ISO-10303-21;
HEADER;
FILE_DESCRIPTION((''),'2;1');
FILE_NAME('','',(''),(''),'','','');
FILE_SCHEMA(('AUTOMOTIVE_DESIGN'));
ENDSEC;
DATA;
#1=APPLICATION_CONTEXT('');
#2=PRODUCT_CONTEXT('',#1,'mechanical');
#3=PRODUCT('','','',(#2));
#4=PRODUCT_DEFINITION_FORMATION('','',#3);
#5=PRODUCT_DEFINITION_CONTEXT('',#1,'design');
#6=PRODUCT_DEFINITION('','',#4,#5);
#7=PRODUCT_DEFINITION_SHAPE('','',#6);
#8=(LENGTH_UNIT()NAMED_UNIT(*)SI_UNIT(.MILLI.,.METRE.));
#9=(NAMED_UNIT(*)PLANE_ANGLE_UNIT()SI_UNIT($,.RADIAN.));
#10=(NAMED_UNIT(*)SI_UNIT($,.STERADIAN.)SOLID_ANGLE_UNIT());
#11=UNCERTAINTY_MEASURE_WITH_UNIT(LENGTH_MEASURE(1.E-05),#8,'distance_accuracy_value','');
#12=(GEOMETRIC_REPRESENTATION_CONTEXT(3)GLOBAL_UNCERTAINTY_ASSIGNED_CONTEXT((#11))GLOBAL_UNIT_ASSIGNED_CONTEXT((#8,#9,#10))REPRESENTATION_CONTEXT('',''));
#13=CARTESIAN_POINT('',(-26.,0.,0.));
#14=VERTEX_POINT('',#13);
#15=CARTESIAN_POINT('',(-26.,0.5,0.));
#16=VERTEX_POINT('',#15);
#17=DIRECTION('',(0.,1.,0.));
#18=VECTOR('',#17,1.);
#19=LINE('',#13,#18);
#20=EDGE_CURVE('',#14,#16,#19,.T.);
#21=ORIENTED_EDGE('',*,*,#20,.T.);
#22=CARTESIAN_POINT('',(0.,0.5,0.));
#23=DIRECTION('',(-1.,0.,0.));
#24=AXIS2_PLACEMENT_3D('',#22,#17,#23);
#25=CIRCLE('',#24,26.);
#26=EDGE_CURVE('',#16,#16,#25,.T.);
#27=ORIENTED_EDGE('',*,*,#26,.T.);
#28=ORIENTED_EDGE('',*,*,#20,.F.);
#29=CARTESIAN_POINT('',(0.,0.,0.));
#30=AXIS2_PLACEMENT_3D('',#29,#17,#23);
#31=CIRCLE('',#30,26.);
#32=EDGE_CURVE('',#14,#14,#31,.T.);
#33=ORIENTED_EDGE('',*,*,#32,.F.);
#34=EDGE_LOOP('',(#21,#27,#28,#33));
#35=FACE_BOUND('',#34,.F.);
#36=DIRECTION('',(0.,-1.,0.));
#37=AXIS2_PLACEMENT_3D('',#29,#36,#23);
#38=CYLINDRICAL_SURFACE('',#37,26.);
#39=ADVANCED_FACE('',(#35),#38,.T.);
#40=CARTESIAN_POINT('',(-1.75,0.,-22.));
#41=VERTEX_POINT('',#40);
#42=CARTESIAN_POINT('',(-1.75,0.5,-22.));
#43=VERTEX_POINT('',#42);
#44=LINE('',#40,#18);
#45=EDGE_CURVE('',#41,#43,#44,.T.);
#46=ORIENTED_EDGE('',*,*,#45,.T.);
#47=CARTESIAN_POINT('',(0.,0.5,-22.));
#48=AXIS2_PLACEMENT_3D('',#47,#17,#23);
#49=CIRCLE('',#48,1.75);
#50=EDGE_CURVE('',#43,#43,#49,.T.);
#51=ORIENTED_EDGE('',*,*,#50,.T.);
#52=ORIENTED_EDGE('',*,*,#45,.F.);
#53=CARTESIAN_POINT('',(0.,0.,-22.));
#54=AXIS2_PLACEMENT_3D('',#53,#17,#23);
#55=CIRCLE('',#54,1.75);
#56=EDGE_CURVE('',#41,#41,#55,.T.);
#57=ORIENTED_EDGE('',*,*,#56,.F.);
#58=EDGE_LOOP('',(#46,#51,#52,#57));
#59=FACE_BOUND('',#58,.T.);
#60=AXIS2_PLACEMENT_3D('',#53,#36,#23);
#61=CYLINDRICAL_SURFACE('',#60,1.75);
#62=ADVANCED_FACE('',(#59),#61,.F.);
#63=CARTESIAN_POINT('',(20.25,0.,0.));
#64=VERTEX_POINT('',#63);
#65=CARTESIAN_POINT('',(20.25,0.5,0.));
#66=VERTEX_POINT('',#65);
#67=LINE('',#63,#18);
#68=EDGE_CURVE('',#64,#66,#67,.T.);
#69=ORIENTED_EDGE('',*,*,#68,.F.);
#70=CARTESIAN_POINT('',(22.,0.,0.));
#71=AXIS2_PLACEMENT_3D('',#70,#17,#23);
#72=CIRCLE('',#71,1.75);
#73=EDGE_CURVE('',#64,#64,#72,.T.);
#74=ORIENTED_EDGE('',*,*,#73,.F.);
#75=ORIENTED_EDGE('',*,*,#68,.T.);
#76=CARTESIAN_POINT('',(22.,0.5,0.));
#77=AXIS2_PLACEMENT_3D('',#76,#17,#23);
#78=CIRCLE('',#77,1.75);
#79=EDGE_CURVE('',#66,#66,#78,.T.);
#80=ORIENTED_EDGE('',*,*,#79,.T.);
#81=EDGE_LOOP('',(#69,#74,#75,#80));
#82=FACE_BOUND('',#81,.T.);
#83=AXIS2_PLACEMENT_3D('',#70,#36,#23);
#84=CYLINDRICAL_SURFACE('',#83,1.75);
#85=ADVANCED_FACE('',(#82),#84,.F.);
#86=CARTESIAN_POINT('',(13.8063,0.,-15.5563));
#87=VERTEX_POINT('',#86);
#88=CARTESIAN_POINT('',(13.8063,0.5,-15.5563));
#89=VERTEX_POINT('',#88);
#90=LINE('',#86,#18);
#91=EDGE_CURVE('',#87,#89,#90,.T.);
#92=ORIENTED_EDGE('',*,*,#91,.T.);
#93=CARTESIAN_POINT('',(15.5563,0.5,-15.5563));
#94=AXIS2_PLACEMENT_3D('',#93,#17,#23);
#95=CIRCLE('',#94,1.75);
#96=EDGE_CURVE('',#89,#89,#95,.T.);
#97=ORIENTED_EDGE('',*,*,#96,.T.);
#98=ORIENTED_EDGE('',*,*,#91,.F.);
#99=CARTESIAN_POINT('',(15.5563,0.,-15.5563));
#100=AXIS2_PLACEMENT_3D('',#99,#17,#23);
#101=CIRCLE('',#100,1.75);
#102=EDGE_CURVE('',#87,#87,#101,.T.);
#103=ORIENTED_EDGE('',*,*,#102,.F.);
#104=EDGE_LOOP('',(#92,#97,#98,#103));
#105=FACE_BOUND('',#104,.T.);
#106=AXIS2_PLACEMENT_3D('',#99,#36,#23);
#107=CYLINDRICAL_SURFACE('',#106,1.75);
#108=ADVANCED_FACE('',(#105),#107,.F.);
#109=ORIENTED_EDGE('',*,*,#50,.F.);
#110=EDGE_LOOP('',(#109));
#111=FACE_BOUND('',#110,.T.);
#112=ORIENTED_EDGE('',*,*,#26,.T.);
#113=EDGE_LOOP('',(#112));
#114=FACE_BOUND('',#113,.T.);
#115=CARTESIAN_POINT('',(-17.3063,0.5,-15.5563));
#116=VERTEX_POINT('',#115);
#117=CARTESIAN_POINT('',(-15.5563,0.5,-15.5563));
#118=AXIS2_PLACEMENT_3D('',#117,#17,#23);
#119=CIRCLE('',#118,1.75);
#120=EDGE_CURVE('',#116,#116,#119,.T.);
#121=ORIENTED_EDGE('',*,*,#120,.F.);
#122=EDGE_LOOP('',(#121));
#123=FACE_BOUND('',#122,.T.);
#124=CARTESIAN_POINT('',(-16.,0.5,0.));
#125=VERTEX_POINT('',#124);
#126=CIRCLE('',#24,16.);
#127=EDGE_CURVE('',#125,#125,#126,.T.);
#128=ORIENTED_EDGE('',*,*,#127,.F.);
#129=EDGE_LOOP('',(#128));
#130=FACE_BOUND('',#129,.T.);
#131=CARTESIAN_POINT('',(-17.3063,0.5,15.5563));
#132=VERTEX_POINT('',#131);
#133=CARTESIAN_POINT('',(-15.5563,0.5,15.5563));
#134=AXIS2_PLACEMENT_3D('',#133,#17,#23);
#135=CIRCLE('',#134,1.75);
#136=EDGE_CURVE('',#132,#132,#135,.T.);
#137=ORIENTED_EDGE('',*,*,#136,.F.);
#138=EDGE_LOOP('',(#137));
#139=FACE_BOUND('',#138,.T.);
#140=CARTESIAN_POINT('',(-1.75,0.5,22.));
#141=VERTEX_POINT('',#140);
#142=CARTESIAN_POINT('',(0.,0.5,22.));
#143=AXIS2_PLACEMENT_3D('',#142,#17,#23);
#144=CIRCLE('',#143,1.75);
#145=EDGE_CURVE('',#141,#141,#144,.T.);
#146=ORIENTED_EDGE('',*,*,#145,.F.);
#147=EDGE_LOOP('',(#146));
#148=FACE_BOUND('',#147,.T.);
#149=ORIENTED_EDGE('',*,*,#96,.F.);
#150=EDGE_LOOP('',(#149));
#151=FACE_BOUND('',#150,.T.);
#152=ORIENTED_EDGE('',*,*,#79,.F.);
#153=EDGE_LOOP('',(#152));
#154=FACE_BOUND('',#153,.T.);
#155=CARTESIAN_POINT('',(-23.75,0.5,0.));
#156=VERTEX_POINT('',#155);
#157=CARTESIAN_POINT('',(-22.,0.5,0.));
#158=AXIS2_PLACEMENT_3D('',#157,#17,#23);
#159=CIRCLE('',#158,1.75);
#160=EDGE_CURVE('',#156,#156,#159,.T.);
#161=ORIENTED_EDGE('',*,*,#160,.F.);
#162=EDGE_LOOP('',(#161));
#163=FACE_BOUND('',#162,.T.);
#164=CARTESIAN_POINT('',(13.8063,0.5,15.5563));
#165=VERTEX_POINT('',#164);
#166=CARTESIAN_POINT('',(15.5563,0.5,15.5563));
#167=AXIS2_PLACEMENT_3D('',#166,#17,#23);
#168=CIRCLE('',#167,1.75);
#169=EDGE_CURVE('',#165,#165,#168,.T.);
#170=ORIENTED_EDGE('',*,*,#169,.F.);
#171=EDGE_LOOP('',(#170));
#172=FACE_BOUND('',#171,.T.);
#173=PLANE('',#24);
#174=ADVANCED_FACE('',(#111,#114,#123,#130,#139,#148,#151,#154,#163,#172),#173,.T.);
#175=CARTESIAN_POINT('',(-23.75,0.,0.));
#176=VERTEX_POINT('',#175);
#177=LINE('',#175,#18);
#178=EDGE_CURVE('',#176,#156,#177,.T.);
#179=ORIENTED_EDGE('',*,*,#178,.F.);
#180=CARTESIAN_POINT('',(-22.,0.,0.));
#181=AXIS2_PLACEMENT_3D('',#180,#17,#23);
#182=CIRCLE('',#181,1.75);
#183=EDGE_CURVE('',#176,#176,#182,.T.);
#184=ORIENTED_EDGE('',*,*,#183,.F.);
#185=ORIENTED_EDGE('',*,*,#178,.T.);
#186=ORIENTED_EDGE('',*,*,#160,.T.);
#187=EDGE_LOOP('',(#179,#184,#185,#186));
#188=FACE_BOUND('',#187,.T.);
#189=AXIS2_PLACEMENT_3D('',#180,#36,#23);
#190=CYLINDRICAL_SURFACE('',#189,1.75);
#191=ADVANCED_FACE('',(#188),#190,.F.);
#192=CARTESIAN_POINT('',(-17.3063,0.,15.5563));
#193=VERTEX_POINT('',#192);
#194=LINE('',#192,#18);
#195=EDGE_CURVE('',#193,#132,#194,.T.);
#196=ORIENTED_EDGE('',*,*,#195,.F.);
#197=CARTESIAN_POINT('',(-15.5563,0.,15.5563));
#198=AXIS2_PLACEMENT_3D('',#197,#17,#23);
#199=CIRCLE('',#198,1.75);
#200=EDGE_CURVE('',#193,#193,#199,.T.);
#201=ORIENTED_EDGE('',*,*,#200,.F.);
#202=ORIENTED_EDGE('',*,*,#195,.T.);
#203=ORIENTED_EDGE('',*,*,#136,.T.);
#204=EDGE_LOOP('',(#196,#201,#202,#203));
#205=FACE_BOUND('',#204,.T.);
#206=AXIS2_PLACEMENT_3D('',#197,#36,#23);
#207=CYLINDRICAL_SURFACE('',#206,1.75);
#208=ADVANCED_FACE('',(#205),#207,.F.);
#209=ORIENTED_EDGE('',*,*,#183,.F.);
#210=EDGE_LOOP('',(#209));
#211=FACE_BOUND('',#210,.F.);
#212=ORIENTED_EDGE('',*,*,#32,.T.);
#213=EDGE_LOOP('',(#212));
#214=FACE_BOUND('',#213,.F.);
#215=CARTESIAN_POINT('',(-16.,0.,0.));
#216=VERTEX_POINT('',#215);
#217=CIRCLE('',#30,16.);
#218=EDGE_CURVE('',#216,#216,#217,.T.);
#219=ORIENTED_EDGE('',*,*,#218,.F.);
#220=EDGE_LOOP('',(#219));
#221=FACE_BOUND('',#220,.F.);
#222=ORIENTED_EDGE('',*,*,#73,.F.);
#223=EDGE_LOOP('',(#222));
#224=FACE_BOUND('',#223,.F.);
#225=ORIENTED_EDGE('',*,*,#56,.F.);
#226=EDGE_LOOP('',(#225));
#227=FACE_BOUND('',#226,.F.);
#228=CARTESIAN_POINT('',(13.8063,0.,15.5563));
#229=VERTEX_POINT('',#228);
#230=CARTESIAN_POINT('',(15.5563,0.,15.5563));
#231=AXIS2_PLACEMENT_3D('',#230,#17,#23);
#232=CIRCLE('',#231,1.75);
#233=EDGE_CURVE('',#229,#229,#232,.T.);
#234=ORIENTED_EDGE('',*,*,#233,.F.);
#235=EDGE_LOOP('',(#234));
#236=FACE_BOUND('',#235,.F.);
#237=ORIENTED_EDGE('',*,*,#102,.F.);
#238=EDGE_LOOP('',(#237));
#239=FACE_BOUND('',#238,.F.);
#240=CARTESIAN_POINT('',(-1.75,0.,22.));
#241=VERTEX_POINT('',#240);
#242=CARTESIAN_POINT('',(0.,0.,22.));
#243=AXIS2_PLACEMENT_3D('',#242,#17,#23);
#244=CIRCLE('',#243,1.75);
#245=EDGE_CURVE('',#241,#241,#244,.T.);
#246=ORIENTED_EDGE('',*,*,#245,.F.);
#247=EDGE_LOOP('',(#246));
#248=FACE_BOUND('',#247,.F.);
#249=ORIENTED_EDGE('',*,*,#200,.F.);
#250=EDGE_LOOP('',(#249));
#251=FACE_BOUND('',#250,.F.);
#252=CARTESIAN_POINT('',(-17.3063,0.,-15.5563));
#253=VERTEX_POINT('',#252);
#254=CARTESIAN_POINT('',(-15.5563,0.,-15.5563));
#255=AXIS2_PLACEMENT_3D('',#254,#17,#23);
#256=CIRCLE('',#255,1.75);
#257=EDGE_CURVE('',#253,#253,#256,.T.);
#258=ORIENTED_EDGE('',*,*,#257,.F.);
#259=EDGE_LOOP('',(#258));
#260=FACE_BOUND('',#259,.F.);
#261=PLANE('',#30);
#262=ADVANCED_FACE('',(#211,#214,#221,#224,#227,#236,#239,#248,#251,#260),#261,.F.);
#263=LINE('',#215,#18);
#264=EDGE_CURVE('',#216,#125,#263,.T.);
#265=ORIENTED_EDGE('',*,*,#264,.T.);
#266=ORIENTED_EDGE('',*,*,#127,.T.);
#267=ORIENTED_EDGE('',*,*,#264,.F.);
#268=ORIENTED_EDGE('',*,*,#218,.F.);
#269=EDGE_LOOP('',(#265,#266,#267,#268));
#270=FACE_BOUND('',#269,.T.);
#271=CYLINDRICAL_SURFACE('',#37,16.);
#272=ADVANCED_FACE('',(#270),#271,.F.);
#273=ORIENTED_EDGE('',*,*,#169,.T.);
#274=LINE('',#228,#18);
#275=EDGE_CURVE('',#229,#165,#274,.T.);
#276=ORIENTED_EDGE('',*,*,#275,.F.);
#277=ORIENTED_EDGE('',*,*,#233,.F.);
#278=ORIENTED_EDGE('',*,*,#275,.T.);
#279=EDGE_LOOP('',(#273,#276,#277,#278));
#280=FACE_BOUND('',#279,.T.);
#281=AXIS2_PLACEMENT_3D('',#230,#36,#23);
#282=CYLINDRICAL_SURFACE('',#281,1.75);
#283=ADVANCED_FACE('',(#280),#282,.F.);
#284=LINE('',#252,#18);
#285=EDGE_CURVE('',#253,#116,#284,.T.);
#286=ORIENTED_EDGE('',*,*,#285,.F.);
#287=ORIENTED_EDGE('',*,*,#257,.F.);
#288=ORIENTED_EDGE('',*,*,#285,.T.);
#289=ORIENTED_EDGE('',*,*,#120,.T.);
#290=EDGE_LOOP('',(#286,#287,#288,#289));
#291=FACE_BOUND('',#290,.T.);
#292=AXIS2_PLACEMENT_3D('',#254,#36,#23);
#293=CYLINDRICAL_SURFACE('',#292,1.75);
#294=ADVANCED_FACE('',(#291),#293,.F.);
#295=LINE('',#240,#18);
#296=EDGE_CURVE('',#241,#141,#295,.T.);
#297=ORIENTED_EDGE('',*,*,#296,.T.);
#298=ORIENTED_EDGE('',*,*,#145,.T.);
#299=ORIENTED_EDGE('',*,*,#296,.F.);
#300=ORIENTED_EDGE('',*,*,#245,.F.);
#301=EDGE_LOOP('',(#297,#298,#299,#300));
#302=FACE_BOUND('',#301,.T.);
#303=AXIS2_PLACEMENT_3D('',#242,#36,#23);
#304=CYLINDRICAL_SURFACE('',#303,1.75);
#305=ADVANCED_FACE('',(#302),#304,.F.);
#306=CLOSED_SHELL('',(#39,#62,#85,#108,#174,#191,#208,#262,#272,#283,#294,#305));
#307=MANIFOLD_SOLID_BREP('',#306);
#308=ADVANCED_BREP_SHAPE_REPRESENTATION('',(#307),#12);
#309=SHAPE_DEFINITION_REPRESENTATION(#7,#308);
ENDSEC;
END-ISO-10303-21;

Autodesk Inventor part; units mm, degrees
ref_plane "YZ Plane" through (0, 0, 0) normal (1, 0, 0) x (0, 1, 0)
ref_plane "XZ Plane" through (0, 0, 0) normal (0, 1, 0) x (-1, 0, 0)
ref_plane "XY Plane" through (0, 0, 0) normal (0, 0, 1) x (1, 0, 0)
sketch "Sketch1" plane through (0, 0, 0) normal (0, 1, 0) x (-1, 0, 0)
  circle A0 centre (0, 0) radius 26
  circle A1 centre (0, 0) radius 16
  circle A2 centre (0, 0) radius 22 construction
  circle A3 centre (22, 0) radius 1.75 construction
  circle A4 centre (0, -22) radius 1.75 construction
  circle A5 centre (-22, 0) radius 1.75 construction
  circle A6 centre (-22, 0) radius 1.75
  circle A7 centre (0, -22) radius 1.75
  circle A8 centre (22, 0) radius 1.75
  line L0 (0, 22) -> (0, 0) construction
  line L1 (0, 0) -> (39.0381, 0) construction
  line L2 (0, 0) -> (31.228, -31.228) construction
  line L3 (0, 0) -> (44.1631, 0) construction
  circle A9 centre (15.5563, -15.5563) radius 1.75
  line L4 (0, 0) -> (-25.3717, -25.3717) construction
  line L5 (0, 0) -> (-36.3161, 0) construction
  circle A10 centre (-15.5563, -15.5563) radius 1.75
  circle A11 centre (0, 22) radius 1.75
  line L6 (0, 0) -> (18.3848, 18.3848) construction
  line L7 (0, 0) -> (26, 0) construction
  line L8 (0, 0) -> (-18.3848, 18.3848) construction
  line L9 (0, 0) -> (26, 0) construction
  circle A12 centre (15.5563, 15.5563) radius 1.75
  circle A13 centre (-15.5563, 15.5563) radius 1.75
  dimension "d2" = 44
  dimension "d1" = 32
  dimension "d3" = 3.5
  dimension "d4" = 3.5
  dimension "d5" = 3.5
  dimension "d34" = 45
  dimension "d35" = 3.5
  dimension "d36" = 45
  dimension "d37" = 3.5
  dimension "d38" = 52
  dimension "d39" = 31.228
  dimension "d40" = 27.6041
  dimension "d41" = 0
  dimension "d42" = 22
  dimension "d43" = 22
  dimension "d44" = 0
  dimension "d45" = 25.3717
  dimension "d46" = 25.6793
  dimension "d49" = 3.5
  dimension "d51" = 45
  dimension "d52" = 135
  dimension "d53" = 3.5
  dimension "d54" = 3.5
extrude "Extrusion5" add sketch "Sketch1" along normal blind 0.5
properties part number "Upper Cylinder Packing" material "Rubber"
